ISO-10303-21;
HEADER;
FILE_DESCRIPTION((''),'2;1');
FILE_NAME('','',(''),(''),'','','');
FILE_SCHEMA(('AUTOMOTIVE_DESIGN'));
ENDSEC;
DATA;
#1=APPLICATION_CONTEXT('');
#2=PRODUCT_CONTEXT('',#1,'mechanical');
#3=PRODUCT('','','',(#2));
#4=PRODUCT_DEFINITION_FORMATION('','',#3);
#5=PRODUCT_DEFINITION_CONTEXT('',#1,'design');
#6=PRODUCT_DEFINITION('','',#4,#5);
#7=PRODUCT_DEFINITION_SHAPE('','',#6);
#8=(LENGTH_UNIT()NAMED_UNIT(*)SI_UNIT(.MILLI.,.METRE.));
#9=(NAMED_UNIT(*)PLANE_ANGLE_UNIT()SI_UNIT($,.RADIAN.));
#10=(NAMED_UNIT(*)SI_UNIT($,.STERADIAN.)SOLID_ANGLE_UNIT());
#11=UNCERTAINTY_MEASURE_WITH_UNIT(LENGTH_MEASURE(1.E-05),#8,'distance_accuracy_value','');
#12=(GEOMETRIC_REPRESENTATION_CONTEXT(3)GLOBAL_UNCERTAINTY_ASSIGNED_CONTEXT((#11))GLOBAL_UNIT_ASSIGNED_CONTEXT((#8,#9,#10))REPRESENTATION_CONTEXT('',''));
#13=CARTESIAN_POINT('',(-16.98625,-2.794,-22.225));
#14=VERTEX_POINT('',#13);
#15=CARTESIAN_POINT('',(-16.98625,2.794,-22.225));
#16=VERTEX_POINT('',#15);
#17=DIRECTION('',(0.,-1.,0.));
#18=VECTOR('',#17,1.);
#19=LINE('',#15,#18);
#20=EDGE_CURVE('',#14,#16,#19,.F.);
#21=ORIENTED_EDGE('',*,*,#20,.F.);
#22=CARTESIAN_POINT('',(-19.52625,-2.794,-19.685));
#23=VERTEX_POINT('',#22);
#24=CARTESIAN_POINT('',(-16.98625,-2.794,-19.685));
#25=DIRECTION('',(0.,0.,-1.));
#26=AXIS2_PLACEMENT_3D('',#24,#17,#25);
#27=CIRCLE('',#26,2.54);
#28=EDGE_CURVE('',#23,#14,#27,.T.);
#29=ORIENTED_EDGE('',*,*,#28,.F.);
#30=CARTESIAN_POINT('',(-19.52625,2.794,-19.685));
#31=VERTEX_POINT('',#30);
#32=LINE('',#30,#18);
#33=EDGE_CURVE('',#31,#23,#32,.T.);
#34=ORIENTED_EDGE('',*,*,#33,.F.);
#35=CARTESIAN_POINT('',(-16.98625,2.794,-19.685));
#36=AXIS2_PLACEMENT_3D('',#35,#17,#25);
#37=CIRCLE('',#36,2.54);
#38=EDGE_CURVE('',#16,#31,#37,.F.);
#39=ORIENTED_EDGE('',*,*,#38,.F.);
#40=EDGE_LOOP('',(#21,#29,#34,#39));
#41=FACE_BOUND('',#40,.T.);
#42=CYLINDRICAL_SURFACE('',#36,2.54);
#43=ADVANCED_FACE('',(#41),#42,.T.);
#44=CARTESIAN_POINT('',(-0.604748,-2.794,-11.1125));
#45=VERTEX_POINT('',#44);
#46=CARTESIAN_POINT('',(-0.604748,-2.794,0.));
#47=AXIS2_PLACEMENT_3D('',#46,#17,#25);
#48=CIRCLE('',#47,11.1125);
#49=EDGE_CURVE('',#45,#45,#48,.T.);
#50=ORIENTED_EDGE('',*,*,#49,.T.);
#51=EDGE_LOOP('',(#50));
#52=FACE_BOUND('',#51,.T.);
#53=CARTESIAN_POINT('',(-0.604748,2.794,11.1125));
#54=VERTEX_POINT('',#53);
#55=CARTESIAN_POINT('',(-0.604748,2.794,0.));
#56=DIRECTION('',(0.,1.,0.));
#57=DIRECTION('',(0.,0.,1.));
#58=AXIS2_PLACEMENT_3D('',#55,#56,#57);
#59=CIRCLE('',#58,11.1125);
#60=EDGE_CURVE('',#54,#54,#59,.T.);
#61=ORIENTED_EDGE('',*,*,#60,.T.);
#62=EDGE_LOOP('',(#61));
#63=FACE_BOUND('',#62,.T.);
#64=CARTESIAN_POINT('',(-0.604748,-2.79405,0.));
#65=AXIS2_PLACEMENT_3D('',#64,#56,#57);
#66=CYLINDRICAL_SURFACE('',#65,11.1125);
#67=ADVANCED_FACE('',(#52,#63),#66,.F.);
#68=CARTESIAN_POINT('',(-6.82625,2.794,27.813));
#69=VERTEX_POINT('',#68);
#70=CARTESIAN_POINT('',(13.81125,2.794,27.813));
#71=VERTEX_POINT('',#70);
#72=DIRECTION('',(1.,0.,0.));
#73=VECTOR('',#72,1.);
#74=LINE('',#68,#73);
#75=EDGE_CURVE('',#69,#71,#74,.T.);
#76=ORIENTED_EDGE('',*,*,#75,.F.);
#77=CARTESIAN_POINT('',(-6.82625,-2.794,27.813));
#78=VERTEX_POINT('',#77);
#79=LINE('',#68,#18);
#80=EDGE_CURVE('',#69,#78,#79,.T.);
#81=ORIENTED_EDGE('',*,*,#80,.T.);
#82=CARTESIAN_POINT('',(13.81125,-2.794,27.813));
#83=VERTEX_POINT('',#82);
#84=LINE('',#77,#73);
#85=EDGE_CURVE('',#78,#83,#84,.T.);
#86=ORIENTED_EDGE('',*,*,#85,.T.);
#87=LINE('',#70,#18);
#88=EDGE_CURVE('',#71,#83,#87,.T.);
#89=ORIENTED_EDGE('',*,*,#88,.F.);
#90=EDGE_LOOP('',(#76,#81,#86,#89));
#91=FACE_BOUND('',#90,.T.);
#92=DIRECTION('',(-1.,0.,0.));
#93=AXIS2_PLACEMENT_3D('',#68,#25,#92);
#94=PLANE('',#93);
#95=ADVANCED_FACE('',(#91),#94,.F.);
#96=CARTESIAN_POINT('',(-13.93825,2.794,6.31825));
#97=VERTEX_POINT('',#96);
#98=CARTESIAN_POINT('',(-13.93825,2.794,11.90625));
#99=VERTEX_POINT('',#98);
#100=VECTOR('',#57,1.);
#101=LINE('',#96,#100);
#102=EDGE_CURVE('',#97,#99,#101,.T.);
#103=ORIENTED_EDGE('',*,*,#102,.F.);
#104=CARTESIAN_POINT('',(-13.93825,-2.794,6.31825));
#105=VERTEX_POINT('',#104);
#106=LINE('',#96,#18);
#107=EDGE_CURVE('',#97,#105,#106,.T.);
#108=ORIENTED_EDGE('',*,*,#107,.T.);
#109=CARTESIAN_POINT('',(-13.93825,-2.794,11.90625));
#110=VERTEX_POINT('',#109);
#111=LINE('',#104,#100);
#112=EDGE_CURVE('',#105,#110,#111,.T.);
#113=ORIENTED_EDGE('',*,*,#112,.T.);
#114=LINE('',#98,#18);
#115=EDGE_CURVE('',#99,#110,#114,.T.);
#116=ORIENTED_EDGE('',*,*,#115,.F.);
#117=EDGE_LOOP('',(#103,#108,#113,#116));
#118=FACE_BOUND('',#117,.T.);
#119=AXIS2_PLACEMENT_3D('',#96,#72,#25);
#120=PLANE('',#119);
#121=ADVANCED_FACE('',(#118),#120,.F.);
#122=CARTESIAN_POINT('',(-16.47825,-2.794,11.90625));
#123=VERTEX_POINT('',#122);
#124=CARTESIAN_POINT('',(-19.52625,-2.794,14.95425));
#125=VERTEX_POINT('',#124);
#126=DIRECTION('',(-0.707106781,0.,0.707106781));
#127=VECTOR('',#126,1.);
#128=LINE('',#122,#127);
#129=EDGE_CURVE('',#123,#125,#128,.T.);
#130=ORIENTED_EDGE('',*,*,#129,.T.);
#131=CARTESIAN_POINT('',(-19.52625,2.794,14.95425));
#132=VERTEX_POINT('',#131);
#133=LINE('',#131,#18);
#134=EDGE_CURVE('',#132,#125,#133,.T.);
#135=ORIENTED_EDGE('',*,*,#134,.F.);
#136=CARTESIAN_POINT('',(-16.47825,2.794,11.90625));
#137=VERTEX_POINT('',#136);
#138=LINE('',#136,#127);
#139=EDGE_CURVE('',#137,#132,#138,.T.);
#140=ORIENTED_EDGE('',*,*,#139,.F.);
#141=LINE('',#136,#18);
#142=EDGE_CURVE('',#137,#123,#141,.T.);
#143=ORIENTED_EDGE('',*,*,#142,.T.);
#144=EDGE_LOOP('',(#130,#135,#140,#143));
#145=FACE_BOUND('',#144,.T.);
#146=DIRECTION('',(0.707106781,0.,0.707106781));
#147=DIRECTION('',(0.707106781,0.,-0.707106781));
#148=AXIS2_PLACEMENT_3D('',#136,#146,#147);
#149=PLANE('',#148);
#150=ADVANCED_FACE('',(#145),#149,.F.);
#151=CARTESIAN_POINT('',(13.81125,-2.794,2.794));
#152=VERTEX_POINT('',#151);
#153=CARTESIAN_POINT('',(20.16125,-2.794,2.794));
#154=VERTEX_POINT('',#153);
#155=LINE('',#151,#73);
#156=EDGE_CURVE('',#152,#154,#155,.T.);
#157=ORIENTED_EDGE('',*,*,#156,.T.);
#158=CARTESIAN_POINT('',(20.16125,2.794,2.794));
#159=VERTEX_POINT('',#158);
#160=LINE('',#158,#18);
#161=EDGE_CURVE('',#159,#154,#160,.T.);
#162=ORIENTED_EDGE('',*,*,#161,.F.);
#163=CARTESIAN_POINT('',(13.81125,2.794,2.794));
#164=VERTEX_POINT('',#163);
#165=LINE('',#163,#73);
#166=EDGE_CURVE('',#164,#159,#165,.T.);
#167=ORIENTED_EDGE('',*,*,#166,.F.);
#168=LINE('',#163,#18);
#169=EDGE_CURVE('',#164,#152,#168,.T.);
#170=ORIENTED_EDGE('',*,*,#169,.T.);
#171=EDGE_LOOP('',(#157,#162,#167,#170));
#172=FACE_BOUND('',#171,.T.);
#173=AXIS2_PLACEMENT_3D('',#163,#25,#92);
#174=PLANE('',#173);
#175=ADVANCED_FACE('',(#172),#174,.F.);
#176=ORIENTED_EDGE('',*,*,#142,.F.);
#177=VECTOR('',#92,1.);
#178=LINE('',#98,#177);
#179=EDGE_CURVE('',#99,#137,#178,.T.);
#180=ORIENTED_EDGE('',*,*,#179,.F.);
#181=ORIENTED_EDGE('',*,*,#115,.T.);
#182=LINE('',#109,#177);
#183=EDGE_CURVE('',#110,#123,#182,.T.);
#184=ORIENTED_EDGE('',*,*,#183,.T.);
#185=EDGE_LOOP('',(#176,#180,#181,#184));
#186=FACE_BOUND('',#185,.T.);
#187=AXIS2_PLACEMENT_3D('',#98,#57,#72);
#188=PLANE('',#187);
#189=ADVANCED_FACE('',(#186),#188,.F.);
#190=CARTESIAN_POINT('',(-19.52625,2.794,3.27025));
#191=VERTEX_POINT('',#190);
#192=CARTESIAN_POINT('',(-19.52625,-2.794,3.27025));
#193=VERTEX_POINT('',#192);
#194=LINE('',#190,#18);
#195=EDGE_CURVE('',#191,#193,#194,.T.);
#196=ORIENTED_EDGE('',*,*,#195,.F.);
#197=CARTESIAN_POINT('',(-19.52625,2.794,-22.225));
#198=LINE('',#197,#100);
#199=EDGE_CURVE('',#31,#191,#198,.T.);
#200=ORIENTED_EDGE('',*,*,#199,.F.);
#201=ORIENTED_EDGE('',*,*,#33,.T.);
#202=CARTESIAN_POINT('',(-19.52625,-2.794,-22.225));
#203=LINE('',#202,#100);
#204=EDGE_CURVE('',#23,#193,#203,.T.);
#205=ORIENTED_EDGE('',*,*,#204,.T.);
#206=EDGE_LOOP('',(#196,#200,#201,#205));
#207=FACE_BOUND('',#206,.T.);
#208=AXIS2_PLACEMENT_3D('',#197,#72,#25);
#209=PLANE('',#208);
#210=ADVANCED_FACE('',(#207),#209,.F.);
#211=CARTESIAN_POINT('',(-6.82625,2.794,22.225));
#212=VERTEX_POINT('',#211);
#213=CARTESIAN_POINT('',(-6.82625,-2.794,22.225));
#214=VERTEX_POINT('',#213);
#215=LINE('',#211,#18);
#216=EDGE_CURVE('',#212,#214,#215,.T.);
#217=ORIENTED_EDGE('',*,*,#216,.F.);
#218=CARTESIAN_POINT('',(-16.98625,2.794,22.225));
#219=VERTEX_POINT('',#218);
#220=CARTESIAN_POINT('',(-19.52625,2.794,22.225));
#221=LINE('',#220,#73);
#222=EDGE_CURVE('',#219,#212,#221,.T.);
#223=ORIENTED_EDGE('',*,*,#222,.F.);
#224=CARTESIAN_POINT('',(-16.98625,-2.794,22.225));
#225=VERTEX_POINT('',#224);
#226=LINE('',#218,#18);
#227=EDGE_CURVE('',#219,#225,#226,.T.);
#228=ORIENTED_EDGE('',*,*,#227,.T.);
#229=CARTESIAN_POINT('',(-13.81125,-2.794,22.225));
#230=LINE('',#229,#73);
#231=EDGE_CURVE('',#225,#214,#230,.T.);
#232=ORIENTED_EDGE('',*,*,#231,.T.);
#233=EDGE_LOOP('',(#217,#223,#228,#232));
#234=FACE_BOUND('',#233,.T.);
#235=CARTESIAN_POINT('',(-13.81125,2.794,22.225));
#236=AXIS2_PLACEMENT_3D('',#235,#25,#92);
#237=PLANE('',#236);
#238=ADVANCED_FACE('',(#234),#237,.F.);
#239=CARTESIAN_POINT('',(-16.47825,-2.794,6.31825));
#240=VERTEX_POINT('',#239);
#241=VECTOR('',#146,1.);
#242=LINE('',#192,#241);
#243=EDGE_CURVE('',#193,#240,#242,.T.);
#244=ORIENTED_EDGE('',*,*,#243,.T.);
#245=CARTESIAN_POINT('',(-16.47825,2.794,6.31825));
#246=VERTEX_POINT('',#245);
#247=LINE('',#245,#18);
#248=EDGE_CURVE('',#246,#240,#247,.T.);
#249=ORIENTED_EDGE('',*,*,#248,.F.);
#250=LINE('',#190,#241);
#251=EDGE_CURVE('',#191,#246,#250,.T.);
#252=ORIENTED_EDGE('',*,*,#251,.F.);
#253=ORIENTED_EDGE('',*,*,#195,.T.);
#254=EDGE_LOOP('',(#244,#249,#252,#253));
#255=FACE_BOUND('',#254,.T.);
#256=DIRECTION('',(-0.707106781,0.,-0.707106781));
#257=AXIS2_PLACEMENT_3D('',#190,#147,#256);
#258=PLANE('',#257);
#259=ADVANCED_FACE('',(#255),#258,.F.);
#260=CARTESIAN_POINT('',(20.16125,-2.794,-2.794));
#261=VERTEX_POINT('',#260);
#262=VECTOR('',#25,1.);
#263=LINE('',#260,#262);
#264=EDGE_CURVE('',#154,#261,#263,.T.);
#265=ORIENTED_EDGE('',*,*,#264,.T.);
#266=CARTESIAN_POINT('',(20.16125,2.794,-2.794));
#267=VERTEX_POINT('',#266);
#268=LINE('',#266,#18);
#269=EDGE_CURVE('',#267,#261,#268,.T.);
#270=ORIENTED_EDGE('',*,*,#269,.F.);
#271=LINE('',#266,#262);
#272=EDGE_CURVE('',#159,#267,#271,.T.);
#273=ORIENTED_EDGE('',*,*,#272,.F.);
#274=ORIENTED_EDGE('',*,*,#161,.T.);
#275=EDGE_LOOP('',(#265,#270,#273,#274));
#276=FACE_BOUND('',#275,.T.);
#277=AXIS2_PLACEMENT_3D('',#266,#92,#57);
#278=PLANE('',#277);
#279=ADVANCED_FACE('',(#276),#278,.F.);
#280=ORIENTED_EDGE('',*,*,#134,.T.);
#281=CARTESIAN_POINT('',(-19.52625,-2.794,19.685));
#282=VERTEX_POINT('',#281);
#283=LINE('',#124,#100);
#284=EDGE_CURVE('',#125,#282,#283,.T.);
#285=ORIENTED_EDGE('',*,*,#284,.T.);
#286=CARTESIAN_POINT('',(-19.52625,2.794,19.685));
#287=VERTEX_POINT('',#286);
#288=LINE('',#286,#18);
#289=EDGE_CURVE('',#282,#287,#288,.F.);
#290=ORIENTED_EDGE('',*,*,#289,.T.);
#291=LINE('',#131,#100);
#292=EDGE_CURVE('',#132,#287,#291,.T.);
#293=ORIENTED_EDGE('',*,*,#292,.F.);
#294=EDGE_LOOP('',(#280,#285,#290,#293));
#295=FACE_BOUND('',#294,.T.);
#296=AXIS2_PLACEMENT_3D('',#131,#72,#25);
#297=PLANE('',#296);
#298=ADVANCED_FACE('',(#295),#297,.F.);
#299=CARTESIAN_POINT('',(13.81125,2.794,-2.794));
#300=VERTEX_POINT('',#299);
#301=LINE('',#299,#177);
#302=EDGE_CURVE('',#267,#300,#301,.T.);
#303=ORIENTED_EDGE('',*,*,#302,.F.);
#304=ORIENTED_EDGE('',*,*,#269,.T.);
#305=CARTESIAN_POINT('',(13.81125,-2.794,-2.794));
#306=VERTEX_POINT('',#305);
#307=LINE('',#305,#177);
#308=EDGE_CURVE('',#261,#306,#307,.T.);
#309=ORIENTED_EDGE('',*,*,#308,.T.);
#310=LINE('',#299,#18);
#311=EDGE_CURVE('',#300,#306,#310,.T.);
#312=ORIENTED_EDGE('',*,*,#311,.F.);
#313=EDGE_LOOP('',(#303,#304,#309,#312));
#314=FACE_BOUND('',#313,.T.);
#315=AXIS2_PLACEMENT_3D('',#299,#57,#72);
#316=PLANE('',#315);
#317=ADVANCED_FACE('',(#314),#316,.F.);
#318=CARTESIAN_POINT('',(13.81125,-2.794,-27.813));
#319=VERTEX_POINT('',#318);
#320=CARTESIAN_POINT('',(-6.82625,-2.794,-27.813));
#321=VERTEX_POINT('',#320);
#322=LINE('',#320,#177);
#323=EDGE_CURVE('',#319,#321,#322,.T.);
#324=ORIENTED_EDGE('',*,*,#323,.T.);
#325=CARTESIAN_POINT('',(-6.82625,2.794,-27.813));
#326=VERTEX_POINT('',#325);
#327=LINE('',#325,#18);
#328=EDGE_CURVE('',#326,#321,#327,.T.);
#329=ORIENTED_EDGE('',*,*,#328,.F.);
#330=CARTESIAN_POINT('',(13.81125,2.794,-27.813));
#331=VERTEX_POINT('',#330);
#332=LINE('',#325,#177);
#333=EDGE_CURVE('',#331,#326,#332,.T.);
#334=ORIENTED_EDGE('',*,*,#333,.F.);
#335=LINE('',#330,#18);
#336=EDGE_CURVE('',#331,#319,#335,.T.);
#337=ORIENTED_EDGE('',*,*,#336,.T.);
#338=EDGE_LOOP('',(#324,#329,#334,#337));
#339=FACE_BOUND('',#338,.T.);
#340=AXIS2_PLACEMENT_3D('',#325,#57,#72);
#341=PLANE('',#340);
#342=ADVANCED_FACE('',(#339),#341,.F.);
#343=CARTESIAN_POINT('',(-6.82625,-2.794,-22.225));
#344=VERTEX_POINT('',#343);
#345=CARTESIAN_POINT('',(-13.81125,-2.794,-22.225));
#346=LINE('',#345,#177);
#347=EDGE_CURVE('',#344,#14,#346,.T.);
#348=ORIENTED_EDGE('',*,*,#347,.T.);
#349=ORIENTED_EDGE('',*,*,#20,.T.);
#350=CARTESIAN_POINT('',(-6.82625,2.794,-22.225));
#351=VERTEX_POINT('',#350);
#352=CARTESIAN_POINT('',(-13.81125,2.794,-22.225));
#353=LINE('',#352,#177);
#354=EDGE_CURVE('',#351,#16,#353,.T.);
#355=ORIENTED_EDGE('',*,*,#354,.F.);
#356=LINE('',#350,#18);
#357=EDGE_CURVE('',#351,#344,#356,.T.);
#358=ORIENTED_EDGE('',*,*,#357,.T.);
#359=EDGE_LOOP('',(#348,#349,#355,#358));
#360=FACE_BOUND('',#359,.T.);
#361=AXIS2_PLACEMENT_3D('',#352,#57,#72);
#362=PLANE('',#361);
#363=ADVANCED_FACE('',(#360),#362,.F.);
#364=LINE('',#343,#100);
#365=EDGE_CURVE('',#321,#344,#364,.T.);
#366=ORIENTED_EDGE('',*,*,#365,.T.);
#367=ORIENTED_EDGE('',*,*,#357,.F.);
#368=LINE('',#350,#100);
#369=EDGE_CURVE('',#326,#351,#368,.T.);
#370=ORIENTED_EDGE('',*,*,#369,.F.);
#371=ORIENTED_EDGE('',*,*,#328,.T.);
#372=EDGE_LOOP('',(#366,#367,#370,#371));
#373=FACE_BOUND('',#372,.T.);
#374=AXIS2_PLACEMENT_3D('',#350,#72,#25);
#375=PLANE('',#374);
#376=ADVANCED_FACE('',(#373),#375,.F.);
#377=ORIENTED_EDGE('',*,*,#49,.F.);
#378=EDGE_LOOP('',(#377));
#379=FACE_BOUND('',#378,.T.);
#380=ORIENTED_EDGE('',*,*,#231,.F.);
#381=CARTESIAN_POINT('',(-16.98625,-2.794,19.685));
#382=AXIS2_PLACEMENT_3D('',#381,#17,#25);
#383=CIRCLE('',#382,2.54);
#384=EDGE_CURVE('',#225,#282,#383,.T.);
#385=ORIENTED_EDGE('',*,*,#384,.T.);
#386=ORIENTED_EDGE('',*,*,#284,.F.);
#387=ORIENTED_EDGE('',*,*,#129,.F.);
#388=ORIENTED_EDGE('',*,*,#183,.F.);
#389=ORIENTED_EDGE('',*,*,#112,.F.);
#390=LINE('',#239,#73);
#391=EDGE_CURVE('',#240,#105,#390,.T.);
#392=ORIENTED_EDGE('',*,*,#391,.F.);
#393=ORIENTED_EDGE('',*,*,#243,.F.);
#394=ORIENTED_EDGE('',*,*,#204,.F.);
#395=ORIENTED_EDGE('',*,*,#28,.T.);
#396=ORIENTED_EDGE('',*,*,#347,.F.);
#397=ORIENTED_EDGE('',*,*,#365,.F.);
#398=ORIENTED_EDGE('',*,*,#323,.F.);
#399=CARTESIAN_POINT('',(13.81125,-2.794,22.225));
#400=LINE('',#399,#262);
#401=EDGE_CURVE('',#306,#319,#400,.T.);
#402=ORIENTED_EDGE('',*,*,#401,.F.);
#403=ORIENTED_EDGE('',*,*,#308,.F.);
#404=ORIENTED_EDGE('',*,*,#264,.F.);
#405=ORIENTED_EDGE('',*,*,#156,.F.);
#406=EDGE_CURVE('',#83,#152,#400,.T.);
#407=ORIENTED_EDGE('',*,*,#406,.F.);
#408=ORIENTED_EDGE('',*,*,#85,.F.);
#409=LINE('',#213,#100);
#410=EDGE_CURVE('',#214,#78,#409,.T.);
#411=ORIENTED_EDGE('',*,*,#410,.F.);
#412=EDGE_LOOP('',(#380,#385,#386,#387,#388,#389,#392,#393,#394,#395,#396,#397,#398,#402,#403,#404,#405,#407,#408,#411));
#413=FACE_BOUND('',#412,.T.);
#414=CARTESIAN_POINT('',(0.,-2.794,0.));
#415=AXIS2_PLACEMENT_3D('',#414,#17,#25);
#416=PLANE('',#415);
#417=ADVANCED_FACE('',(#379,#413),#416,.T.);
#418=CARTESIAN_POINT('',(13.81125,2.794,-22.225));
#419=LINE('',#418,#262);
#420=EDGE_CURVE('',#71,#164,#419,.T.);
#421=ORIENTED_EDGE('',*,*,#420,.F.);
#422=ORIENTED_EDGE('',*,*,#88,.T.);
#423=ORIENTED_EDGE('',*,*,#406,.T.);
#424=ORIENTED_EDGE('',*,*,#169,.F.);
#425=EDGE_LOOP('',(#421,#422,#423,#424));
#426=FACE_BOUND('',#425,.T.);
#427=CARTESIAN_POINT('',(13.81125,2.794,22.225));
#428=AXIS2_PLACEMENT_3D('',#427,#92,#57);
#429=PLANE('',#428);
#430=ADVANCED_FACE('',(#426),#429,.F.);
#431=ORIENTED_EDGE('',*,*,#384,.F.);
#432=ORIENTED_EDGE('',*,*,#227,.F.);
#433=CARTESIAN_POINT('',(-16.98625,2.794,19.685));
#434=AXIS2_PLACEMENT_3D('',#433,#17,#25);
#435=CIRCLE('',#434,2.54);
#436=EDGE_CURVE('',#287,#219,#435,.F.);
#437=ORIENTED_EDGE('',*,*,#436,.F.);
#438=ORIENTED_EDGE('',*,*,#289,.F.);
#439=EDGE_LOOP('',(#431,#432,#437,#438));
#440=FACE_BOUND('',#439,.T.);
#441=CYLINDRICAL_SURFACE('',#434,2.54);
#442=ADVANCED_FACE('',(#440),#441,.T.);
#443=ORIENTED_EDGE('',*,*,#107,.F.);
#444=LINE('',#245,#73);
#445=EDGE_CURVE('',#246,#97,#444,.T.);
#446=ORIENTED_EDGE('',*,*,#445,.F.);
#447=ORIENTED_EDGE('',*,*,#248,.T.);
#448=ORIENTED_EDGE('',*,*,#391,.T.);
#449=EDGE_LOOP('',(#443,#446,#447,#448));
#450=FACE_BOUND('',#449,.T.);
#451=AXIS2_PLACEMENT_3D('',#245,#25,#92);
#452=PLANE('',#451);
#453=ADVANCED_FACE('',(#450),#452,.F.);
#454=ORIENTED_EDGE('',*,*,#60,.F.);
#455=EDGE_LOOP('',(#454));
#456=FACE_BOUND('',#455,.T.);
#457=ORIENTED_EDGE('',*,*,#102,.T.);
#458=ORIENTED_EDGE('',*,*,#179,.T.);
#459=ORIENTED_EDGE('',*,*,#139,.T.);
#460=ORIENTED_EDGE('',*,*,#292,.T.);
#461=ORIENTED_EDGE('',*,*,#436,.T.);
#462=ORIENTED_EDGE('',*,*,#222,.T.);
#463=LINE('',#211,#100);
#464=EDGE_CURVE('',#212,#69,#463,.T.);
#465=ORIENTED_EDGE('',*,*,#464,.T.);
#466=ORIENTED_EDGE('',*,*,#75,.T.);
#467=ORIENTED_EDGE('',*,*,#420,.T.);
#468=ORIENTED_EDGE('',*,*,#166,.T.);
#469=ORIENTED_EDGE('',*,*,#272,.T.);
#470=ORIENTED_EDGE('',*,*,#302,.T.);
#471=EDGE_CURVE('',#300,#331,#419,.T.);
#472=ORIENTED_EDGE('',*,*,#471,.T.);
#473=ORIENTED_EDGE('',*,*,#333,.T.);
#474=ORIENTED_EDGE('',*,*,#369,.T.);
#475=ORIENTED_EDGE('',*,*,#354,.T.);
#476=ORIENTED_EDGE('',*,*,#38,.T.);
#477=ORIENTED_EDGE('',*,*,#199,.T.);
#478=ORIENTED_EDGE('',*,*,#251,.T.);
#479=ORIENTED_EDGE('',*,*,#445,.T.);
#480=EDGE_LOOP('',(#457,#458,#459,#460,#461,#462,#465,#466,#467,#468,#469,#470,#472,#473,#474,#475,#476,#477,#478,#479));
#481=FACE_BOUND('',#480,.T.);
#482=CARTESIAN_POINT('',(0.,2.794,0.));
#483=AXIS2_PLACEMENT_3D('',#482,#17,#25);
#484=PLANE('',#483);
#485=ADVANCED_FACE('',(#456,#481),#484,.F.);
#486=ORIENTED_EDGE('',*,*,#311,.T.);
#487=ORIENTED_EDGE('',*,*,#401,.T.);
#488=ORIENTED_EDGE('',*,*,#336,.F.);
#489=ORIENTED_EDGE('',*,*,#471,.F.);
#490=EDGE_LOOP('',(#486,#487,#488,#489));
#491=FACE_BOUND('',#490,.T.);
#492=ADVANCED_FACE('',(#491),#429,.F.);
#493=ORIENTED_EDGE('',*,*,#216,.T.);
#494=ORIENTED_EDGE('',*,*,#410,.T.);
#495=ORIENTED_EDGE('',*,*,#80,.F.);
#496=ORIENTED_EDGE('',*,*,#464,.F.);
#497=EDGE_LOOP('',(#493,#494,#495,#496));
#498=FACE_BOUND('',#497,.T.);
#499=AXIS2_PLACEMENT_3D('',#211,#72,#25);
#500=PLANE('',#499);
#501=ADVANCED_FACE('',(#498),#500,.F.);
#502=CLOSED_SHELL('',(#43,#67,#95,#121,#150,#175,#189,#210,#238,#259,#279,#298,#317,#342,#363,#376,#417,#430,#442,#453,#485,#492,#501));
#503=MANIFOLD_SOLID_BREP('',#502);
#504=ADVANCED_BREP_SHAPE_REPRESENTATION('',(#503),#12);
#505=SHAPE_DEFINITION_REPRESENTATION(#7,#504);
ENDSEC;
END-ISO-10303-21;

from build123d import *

# Parameters (mm, degrees)
BOSS_EXTRUDE1_DEPTH = 2.794
SKETCH2_W           = 6.35
SKETCH2_H           = 5.588
BOSS_EXTRUDE2_DEPTH = 2.794
SKETCH4_R           = 11.1125
CUT_EXTRUDE2_DEPTH  = 35.803228508
FILLET1_R           = 2.54


with BuildPart() as part:
    # Sketch1 → Boss-Extrude1 (new, symmetric)
    with BuildSketch(Plane(origin=(0, 0, 0), x_dir=(1, 0, 0), z_dir=(0, 1, 0))):
        Polygon((-13.81125, 22.225), (-19.52625, 22.225), (-19.52625, -3.27025), (-16.47825, -6.31825), (-13.93825, -6.31825), (-13.93825, -11.90625), (-16.47825, -11.90625), (-19.52625, -14.95425), (-19.52625, -22.225), (-13.81125, -22.225), (-6.82625, -22.225), (-6.82625, -27.813), (13.81125, -27.813), (13.81125, -22.225), (13.81125, 22.225), (13.81125, 27.813), (-6.82625, 27.813), (-6.82625, 22.225), align=None)
    extrude(amount=BOSS_EXTRUDE1_DEPTH, both=True)

    # Sketch2 → Boss-Extrude2 (add, symmetric)
    with BuildSketch(Plane(origin=(0, 0, 0), x_dir=(1, 0, 0), z_dir=(0, 1, 0))):
        with Locations((16.98625, 0)):
            Rectangle(SKETCH2_W, SKETCH2_H)
    extrude(amount=BOSS_EXTRUDE2_DEPTH, both=True)

    # Sketch4 → Cut-Extrude2 (cut, through all)
    with BuildSketch(Plane(origin=(0, 2.794, 0), x_dir=(1, 0, 0), z_dir=(0, 1, 0))):
        with Locations(Location((-0.604747552, 0, 0), (0, 0, 270))):
            Circle(SKETCH4_R)
    extrude(amount=-CUT_EXTRUDE2_DEPTH, mode=Mode.SUBTRACT)

    # Fillet1
    fillet1_edges = [part.edges().sort_by_distance(p)[0] for p in [
        (-19.52625, 0, 22.225),
        (-19.52625, 0, -22.225),
    ]]
    fillet(fillet1_edges, radius=FILLET1_R)


solid = part.part
